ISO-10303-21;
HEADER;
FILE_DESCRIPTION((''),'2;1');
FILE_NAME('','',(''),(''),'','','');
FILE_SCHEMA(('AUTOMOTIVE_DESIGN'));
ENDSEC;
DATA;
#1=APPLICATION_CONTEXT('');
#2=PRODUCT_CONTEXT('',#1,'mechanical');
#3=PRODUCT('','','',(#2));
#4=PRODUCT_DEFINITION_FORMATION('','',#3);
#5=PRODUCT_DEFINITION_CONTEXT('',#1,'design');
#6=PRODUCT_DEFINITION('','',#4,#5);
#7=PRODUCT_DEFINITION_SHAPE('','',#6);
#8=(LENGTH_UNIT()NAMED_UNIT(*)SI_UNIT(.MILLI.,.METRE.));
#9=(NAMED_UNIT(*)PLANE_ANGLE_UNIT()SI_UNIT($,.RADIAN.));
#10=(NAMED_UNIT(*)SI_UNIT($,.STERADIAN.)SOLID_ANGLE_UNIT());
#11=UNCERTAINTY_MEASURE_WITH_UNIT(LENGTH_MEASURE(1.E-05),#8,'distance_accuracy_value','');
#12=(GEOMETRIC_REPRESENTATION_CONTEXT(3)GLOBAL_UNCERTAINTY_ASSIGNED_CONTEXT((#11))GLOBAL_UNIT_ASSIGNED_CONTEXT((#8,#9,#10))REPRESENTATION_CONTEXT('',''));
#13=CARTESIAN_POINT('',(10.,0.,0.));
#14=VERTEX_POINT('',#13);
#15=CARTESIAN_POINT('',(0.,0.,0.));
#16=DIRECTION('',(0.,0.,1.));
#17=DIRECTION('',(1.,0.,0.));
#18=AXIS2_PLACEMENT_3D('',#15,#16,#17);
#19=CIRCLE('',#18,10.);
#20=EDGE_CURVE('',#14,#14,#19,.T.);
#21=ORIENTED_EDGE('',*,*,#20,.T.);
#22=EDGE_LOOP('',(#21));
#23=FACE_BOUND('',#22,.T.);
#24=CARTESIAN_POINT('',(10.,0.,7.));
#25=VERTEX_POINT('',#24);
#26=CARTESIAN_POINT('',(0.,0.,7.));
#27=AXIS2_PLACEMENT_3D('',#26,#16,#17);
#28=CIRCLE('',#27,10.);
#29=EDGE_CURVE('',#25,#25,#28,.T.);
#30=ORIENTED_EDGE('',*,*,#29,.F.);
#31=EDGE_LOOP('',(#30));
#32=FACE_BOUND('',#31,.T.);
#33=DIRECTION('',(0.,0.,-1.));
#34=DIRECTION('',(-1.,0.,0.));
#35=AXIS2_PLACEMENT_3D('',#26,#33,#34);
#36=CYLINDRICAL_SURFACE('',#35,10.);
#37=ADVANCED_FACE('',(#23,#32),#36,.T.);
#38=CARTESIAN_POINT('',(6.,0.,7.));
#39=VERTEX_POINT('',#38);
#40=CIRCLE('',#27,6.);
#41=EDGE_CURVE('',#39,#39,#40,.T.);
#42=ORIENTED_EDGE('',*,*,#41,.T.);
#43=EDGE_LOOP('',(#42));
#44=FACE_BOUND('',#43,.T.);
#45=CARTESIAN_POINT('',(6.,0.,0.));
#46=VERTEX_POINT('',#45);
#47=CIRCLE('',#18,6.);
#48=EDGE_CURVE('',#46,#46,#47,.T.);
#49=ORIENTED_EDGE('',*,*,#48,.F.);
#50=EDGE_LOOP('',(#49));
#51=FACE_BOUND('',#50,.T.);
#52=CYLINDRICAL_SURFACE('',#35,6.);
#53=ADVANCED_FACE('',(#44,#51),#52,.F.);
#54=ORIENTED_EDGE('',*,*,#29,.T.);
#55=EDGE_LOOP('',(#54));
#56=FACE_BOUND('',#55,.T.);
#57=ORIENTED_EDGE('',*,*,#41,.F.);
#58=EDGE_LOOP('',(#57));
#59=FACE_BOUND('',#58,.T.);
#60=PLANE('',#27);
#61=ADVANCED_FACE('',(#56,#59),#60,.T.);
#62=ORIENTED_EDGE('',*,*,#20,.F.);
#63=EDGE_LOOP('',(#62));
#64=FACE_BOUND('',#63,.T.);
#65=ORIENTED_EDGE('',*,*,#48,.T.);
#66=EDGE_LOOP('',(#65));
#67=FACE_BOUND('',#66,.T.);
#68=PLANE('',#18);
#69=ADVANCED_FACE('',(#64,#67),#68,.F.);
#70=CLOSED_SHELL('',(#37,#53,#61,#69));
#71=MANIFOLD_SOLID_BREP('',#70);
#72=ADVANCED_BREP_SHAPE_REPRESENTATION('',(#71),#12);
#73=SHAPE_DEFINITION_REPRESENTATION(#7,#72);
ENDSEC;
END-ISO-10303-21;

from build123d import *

# Parameters (mm, degrees)
ESQUISSE1_R        = 10
ESQUISSE1_R_2      = 6
BOSS_EXTRU_1_DEPTH = 7


with BuildPart() as part:
    # Esquisse1 → Boss.-Extru.1 (new body)
    with BuildSketch(Plane.XY):
        Circle(ESQUISSE1_R)
        Circle(ESQUISSE1_R_2, mode=Mode.SUBTRACT)
    extrude(amount=BOSS_EXTRU_1_DEPTH)


solid = part.part
